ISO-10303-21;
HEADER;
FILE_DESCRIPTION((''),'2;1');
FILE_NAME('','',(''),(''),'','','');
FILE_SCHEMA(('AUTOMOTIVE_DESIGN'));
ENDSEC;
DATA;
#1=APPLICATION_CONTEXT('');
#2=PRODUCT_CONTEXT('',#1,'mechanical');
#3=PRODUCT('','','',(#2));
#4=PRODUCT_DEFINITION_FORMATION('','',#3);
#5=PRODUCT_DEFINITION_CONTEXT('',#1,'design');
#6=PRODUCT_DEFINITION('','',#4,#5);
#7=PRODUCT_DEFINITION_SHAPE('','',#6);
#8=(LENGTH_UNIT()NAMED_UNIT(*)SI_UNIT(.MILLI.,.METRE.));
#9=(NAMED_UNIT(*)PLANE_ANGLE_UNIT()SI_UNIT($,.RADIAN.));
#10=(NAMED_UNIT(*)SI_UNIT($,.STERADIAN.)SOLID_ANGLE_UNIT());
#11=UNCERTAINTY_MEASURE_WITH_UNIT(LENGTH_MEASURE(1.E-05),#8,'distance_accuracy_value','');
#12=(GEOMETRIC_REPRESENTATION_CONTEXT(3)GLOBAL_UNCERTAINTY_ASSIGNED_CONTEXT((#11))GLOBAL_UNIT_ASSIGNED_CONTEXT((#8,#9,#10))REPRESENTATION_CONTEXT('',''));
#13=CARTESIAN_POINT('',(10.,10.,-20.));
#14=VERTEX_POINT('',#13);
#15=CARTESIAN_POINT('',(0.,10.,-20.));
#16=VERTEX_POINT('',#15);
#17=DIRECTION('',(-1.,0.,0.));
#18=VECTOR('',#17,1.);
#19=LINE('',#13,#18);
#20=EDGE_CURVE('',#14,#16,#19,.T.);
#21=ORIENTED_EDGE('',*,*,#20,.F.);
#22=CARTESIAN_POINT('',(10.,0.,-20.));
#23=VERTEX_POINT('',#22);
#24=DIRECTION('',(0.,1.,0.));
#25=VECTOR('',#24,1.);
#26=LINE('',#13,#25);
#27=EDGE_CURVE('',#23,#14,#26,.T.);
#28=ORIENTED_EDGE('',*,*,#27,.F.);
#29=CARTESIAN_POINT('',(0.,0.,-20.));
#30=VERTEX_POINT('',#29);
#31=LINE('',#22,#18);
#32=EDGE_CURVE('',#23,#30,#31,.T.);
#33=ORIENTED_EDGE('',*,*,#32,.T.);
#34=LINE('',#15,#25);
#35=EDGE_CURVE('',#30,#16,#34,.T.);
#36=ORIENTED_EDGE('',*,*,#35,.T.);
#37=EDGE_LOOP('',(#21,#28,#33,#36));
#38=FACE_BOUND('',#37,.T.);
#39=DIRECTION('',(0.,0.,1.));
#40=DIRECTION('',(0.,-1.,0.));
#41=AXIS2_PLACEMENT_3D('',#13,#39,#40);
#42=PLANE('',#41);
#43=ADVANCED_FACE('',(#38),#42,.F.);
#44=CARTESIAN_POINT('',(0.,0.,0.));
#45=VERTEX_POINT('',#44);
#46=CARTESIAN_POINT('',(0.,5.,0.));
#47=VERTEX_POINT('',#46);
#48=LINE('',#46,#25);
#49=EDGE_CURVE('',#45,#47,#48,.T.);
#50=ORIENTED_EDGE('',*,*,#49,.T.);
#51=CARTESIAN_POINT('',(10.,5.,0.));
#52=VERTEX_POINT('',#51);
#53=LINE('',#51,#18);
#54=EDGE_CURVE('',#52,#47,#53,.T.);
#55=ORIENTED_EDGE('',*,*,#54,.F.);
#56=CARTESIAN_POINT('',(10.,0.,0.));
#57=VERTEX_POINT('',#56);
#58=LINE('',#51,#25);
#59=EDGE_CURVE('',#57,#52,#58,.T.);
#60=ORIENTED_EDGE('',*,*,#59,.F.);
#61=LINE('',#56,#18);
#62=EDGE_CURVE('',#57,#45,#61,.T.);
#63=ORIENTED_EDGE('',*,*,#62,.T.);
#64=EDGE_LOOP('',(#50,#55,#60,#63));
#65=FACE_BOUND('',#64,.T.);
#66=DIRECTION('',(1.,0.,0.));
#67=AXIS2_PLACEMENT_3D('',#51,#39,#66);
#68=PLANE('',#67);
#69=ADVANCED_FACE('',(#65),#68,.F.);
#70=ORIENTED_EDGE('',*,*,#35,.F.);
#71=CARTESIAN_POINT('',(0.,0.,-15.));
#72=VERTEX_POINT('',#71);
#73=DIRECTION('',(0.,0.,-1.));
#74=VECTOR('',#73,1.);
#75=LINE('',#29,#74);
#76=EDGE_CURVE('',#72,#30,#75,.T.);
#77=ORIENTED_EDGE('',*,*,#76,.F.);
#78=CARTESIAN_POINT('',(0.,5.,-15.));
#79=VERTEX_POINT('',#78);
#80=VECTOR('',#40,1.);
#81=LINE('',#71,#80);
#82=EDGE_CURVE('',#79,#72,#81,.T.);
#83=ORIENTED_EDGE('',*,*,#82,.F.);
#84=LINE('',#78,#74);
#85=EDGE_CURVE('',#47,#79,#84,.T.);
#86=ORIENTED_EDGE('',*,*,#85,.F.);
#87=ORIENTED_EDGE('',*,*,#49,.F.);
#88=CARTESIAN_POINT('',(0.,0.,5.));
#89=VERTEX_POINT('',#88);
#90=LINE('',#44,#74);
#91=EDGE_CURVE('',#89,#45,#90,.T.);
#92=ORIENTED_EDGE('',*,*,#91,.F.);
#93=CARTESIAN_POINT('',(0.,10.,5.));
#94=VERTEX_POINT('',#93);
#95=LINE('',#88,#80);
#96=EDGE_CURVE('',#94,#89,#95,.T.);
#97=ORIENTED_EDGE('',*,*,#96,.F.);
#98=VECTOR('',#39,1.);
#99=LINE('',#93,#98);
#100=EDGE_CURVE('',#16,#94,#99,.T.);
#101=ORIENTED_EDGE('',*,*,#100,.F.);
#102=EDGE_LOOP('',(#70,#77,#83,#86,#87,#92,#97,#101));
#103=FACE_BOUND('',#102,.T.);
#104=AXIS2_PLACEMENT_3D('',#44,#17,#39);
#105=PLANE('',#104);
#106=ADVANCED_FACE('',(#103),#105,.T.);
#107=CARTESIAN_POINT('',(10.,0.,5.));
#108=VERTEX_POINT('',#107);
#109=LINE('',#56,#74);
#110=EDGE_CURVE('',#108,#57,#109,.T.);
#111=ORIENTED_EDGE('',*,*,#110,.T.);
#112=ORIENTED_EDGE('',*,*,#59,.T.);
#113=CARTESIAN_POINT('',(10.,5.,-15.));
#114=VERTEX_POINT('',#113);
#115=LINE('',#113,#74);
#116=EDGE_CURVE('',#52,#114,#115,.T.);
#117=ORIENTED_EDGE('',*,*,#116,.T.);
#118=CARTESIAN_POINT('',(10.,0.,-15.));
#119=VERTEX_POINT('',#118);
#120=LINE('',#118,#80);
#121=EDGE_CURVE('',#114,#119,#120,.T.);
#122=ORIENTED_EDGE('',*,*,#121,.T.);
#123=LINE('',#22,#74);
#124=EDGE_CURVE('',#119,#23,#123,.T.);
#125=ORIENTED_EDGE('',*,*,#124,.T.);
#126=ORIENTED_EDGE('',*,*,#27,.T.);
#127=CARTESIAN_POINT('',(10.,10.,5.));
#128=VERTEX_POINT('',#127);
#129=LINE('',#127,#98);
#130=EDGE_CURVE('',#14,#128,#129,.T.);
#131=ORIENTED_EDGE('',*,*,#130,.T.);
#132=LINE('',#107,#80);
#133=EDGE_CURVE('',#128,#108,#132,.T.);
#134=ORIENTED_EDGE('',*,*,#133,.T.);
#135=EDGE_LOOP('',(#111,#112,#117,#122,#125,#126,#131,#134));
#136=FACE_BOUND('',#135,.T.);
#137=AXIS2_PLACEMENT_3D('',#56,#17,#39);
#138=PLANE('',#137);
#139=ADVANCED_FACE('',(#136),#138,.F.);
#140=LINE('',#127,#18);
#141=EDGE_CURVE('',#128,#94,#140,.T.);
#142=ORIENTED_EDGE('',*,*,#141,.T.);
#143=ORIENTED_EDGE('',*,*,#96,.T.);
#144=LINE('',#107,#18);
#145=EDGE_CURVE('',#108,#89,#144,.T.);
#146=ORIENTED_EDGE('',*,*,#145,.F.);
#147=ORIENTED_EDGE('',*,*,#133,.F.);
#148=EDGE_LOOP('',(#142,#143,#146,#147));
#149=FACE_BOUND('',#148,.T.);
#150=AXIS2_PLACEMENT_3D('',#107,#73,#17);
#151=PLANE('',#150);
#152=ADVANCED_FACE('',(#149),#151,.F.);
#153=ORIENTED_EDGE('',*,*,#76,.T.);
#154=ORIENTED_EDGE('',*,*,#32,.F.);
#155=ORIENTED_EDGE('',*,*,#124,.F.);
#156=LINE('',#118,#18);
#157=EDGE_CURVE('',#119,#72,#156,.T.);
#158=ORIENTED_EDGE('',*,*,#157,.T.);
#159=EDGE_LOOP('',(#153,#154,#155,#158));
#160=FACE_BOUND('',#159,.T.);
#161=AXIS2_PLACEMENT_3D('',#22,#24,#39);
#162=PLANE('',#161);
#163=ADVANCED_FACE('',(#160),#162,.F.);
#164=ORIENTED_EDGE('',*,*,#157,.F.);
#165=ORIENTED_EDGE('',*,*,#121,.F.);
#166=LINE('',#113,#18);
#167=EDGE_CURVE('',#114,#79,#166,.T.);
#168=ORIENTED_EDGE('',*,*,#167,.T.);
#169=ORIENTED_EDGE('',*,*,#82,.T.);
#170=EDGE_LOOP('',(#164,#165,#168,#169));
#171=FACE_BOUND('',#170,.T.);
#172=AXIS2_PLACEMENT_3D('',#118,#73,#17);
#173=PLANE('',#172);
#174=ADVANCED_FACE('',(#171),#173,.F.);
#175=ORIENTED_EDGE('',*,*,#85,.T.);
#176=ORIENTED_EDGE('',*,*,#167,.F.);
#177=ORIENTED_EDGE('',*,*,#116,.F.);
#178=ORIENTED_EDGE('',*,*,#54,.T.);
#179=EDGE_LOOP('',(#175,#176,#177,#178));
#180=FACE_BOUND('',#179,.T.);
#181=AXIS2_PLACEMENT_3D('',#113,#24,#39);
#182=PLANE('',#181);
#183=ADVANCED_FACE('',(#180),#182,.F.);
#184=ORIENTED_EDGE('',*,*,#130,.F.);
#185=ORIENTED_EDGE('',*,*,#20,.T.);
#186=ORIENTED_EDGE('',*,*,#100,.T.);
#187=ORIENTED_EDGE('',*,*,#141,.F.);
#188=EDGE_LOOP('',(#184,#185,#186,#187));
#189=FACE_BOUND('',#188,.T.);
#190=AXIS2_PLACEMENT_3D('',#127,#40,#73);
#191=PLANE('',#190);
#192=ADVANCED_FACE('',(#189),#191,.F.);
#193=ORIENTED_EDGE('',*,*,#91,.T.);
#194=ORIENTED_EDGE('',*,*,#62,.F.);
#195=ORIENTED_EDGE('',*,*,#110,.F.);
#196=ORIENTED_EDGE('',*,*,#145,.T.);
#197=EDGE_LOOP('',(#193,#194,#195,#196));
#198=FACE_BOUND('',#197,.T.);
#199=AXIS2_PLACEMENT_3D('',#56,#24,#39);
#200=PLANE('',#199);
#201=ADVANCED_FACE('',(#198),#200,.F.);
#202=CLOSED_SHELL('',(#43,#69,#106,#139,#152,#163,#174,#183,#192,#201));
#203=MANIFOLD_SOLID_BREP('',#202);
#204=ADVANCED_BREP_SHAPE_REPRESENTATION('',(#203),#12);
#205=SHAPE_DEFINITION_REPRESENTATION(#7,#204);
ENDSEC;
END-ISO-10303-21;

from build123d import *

# Parameters (mm, degrees)
EXTRUDE_1_DEPTH = 10


with BuildPart() as part:
    # 草图1 → 凸台-拉伸1 (new body)
    with BuildSketch(Plane(origin=(0, 0, 0), x_dir=(0, 0, -1), z_dir=(1, 0, 0))):
        Polygon((0, 0), (-5, 0), (-5, 10), (20, 10), (20, 0), (15, 0), (15, 5), (0, 5), align=None)
    extrude(amount=EXTRUDE_1_DEPTH)


solid = part.part
